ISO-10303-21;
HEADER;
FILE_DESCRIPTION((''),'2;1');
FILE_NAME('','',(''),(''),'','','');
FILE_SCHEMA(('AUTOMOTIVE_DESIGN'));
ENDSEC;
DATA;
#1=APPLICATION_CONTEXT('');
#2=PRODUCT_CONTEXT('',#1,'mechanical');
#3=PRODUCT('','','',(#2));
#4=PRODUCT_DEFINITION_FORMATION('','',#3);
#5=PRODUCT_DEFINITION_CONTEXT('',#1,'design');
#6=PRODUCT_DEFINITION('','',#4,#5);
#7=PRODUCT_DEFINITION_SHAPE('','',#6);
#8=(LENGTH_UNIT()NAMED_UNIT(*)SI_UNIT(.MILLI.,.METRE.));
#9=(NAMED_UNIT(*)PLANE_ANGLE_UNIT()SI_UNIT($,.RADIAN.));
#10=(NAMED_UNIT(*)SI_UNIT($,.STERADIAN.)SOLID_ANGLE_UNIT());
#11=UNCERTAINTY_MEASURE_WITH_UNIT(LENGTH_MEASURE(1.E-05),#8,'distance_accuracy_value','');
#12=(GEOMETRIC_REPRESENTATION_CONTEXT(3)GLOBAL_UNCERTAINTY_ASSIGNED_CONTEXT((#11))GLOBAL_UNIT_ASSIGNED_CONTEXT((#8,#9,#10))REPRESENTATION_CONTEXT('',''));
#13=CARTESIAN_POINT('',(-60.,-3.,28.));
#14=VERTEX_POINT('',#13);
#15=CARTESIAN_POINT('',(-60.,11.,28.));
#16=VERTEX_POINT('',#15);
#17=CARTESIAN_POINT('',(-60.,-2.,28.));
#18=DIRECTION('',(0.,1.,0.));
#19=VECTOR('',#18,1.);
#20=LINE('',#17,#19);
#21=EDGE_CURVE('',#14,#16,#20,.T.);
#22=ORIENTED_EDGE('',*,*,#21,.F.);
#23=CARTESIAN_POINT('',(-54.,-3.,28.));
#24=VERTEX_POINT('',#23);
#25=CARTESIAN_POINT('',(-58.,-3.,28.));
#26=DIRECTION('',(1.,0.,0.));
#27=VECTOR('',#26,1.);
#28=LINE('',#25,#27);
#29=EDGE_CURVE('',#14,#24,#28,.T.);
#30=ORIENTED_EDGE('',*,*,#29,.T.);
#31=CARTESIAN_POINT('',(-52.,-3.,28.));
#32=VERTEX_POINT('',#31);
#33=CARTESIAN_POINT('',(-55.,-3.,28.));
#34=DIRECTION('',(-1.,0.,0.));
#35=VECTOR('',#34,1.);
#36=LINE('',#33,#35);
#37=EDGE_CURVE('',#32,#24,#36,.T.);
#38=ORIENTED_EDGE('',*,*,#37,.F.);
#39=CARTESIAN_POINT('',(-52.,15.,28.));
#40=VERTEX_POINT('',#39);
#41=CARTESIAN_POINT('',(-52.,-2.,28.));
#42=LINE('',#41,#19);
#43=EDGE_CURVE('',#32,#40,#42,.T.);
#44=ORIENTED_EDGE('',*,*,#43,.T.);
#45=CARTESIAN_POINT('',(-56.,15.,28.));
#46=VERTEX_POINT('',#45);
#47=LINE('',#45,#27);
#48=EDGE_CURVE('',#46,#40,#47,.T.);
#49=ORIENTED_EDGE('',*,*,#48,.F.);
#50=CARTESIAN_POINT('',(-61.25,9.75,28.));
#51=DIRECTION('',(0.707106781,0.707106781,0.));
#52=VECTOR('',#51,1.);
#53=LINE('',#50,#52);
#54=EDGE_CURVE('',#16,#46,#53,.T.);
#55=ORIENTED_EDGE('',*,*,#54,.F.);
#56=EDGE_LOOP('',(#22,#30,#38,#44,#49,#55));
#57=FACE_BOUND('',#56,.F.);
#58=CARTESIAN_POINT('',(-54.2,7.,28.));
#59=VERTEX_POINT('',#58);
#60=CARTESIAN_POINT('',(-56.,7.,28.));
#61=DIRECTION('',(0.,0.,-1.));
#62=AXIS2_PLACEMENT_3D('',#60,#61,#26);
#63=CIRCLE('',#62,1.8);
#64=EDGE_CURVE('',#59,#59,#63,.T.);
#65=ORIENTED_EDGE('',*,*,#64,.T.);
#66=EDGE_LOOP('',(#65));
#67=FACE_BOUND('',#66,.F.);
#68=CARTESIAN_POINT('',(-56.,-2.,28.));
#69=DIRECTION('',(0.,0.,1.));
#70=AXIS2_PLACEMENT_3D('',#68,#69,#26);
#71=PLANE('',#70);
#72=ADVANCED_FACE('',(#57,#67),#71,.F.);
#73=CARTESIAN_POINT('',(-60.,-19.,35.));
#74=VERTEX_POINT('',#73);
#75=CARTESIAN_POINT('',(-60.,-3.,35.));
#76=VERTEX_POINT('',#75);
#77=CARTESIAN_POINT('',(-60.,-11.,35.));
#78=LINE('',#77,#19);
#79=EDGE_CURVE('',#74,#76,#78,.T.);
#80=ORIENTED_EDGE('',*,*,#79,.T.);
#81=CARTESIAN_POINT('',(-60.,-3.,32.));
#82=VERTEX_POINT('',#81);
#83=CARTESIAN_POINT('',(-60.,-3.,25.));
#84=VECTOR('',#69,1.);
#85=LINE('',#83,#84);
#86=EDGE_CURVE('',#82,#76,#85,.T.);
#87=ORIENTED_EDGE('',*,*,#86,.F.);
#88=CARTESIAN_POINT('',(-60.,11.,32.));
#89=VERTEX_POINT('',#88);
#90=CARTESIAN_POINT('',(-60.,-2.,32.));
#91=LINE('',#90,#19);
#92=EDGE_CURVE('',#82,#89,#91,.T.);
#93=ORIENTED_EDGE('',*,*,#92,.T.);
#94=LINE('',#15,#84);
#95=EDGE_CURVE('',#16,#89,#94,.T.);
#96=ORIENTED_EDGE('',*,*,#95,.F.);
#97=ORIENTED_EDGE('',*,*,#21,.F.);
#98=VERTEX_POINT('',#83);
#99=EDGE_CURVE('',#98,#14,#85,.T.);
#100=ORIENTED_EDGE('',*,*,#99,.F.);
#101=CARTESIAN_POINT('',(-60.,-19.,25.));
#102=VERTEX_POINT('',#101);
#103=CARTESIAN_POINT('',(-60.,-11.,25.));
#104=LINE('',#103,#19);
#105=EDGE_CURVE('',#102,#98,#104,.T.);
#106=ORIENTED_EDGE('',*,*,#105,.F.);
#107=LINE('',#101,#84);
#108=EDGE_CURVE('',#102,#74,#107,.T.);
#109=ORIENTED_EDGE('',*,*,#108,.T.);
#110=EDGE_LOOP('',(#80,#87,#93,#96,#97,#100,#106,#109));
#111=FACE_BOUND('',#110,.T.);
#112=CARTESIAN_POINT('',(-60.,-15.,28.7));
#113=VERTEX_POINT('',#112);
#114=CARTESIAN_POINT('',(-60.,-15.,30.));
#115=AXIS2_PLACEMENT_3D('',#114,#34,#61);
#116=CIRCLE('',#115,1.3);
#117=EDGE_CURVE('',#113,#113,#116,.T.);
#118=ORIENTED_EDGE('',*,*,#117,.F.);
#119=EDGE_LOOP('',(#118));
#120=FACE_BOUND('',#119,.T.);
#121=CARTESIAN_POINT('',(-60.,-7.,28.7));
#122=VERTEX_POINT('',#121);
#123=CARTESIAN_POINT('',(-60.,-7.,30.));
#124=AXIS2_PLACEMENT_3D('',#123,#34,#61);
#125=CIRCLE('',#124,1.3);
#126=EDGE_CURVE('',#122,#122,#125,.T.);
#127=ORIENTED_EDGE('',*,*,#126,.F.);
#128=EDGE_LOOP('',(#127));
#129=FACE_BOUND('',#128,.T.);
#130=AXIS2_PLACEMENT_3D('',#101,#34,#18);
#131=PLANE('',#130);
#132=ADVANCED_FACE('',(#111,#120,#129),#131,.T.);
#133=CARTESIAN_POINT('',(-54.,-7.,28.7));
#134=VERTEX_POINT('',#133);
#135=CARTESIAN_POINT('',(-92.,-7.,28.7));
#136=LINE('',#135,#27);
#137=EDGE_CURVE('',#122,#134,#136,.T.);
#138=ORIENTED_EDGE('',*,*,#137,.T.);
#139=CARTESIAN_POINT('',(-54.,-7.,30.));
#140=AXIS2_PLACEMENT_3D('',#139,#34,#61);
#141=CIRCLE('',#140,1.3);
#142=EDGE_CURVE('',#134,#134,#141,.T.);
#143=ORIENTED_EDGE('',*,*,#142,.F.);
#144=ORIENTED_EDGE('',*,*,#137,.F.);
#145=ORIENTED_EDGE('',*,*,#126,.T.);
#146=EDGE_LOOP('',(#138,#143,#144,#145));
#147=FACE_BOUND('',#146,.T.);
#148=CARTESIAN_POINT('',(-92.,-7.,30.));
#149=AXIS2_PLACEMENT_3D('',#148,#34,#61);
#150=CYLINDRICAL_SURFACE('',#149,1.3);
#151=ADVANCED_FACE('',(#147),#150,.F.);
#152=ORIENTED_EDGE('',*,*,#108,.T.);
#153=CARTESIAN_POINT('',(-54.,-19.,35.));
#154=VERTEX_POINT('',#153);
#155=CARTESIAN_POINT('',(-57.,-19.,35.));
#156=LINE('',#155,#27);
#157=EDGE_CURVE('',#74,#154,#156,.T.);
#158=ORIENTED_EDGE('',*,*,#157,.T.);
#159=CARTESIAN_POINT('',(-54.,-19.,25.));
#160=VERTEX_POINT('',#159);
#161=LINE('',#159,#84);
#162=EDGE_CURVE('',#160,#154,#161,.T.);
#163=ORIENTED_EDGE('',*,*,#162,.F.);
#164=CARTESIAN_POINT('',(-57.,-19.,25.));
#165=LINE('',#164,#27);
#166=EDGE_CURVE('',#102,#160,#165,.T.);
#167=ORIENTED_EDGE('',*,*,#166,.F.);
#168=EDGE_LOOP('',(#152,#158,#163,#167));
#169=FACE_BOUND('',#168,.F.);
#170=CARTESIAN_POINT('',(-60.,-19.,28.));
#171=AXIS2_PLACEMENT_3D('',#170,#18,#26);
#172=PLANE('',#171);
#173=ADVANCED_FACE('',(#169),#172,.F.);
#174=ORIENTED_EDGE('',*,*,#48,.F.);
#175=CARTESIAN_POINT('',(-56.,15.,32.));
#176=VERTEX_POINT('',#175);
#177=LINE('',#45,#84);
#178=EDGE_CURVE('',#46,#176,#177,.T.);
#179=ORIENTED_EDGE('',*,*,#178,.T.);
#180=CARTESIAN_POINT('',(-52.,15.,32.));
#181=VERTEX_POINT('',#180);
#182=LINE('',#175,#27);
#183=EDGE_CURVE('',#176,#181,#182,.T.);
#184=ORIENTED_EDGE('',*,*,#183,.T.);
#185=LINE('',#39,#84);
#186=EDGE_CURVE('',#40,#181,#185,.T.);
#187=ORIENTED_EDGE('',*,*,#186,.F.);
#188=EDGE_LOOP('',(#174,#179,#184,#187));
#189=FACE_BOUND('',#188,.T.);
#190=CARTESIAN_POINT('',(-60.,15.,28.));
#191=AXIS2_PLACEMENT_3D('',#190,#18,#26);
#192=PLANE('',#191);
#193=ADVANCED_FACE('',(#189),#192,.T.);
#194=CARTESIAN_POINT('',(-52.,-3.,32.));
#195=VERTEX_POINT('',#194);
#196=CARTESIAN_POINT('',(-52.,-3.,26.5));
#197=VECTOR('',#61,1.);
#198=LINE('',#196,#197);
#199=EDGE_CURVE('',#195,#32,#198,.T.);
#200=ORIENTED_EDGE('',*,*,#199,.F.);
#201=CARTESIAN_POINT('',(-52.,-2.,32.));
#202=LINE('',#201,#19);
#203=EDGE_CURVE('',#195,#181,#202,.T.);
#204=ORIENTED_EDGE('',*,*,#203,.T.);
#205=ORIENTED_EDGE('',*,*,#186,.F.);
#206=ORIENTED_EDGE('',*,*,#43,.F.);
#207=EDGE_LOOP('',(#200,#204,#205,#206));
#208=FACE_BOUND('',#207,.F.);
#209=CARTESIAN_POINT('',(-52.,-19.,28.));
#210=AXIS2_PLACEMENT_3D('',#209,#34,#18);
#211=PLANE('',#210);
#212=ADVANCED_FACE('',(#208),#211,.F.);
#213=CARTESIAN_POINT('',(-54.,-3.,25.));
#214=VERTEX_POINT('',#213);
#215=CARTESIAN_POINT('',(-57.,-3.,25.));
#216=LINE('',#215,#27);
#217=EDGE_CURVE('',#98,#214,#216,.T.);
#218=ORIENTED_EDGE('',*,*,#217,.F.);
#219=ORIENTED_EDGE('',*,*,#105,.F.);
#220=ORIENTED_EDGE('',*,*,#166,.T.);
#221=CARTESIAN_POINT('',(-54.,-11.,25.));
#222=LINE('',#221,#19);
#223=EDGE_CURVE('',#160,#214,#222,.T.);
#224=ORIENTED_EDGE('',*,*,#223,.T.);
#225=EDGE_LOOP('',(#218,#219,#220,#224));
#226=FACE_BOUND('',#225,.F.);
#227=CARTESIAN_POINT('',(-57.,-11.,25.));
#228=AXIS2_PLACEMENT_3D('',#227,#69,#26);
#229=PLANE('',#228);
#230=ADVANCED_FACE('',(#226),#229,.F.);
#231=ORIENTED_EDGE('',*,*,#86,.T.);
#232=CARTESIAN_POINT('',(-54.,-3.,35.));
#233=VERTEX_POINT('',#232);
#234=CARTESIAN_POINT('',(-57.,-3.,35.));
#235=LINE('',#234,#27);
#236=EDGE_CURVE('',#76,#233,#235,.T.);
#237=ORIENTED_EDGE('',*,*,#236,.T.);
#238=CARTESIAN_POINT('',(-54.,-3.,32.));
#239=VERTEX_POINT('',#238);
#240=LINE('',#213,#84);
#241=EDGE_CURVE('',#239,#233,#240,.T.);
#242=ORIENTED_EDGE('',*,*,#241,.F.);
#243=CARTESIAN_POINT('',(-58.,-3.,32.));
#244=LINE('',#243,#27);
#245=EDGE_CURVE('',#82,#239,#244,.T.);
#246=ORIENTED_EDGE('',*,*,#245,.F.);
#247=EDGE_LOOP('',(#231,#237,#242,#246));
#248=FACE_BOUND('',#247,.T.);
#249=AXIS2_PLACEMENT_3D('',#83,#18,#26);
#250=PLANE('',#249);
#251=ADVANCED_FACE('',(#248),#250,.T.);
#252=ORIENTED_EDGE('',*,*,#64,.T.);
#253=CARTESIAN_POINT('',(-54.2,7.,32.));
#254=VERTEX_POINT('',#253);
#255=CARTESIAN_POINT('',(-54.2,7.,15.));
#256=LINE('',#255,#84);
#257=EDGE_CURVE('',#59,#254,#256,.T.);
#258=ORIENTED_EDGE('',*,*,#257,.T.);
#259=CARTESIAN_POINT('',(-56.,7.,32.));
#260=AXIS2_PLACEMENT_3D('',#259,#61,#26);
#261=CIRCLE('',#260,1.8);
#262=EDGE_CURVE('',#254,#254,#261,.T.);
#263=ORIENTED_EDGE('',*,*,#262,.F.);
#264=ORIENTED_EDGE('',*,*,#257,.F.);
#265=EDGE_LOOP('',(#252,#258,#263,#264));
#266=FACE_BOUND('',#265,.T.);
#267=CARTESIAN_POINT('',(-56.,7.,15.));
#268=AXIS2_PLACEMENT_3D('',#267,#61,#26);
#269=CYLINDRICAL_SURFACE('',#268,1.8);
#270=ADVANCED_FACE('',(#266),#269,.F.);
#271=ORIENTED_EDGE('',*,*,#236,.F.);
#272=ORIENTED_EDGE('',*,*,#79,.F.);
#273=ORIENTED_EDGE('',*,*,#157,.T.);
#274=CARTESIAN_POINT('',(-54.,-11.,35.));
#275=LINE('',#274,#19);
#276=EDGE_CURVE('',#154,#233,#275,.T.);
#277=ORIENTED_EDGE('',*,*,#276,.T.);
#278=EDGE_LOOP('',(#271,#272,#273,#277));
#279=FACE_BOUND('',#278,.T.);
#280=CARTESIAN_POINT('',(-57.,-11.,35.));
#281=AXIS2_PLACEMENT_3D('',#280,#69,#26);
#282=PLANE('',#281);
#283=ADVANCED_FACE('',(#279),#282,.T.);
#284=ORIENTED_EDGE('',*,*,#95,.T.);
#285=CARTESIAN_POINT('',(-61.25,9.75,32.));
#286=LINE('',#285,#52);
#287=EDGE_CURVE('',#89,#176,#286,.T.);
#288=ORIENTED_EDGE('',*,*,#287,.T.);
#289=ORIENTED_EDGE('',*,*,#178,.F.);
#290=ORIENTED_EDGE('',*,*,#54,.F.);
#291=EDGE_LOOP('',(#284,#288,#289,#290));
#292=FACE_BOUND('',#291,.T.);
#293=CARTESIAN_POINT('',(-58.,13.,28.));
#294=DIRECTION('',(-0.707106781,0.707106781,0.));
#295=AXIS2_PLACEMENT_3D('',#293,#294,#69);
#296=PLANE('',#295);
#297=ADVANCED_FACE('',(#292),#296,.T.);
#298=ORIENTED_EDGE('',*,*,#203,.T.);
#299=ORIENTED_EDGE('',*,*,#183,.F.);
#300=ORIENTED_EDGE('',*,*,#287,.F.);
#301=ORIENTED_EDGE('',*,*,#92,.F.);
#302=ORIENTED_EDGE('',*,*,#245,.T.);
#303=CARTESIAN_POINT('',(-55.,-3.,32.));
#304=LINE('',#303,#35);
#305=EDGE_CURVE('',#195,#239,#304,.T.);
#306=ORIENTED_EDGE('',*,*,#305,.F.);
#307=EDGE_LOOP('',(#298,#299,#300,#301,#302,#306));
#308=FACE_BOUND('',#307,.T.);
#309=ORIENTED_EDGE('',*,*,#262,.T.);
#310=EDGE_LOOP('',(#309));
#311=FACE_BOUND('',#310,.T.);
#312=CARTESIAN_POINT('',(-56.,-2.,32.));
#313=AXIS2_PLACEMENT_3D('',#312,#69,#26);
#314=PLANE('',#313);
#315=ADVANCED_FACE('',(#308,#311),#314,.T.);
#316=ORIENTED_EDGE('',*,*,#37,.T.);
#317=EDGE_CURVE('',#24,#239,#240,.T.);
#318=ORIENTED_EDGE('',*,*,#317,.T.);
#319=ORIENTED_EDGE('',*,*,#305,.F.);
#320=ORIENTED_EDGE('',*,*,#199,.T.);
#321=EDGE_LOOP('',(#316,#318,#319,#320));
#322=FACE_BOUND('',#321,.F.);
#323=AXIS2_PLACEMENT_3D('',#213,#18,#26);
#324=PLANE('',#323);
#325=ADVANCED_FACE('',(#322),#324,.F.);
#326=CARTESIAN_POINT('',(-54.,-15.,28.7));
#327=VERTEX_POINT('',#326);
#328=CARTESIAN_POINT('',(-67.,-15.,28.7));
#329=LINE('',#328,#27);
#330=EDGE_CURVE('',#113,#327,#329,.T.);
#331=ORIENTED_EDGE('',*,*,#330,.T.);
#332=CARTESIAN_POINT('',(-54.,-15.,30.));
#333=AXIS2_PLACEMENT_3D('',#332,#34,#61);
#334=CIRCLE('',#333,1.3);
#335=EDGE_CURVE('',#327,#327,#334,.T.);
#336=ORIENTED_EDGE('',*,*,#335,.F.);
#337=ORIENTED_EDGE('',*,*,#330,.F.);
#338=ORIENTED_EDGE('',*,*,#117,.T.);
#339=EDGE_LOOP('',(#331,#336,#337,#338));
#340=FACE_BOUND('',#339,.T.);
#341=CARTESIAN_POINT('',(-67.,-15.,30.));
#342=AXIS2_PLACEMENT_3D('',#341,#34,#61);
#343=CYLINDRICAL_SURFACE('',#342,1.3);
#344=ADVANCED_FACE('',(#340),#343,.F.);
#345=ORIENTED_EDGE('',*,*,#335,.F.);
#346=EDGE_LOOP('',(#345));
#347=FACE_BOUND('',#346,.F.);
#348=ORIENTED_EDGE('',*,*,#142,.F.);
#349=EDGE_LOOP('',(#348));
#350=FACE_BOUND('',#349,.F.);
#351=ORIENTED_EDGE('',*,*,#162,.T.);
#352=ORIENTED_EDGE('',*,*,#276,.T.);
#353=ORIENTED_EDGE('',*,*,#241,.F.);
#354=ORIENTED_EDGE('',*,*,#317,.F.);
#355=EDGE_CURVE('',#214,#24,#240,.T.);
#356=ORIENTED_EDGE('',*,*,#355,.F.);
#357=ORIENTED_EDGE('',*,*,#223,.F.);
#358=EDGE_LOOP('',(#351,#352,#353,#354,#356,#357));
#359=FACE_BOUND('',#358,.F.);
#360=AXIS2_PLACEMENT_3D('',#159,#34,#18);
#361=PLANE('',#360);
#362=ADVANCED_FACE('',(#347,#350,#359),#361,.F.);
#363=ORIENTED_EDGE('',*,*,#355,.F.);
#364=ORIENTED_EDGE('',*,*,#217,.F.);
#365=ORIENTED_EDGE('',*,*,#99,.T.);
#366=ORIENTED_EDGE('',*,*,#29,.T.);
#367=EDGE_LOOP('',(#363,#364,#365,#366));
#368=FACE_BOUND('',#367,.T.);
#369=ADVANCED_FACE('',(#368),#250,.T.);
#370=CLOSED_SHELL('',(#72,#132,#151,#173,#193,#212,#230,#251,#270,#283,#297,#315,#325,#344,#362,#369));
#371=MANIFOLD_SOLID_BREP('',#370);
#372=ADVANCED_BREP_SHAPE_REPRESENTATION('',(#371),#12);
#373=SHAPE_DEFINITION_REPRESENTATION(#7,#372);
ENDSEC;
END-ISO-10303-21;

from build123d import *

# Parameters (mm, degrees)
CYLINDER087_R           = 1.3
CYLINDER087_DEPTH       = 40
CYLINDER087_PITCH_ANGLE = 90
CYLINDER086_R           = 1.3
CYLINDER086_DEPTH       = 40
CYLINDER086_PITCH_ANGLE = 90
CYLINDER085_R           = 1.3
CYLINDER085_DEPTH       = 40
CYLINDER085_PITCH_ANGLE = 90
CYLINDER067_R           = 1.8
CYLINDER067_DEPTH       = 40
BOX034_W                = 4
BOX034_H                = 16
BOX034_DEPTH            = 10
BOX031_W                = 8
BOX031_H                = 34
BOX031_DEPTH            = 4
BOX033_W                = 6
BOX033_H                = 16
BOX033_DEPTH            = 10
CHAMFER008_SIZE         = 4


with BuildPart() as cylinder365:
    # Cylinder087 → Cylinder087 (new body)
    with BuildSketch(Plane.XY):
        Circle(CYLINDER087_R)
    extrude(amount=CYLINDER087_DEPTH)


with BuildPart() as cylinder365_1:
    # Cylinder087 pitch: moved
    add(cylinder365.part.rotate(Axis((0, 0, 0), (0, 1, 0)), CYLINDER087_PITCH_ANGLE))


with BuildPart() as cylinder365_2:
    # Cylinder087 placement: moved
    add(cylinder365_1.part.moved(Location((-48, 7, 30))))


with BuildPart() as cylinder364:
    # Cylinder086 → Cylinder086 (new body)
    with BuildSketch(Plane.XY):
        Circle(CYLINDER086_R)
    extrude(amount=CYLINDER086_DEPTH)


with BuildPart() as cylinder364_1:
    # Cylinder086 pitch: moved
    add(cylinder364.part.rotate(Axis((0, 0, 0), (0, 1, 0)), CYLINDER086_PITCH_ANGLE))


with BuildPart() as cylinder364_2:
    # Cylinder086 placement: moved
    add(cylinder364_1.part.moved(Location((-67, -15, 30))))


with BuildPart() as hinge_screw_holes_b003:
    # Cylinder085 → Cylinder085 (new body)
    with BuildSketch(Plane.XY):
        Circle(CYLINDER085_R)
    extrude(amount=CYLINDER085_DEPTH)


with BuildPart() as hinge_screw_holes_b003_1:
    # Cylinder085 pitch: moved
    add(hinge_screw_holes_b003.part.rotate(Axis((0, 0, 0), (0, 1, 0)), CYLINDER085_PITCH_ANGLE))


with BuildPart() as hinge_screw_holes_b003_2:
    # Cylinder085 placement: moved
    add(hinge_screw_holes_b003_1.part.moved(Location((-92, -7, 30))))

    # Fusion057: union Cylinder364
    add(cylinder364_2.part)

    # Fusion058: union Cylinder365
    add(cylinder365_2.part)


with BuildPart() as cylinder345:
    # Cylinder067 → Cylinder067 (new body)
    with BuildSketch(Plane(origin=(-56, 7, 15), x_dir=(1, 0, 0), z_dir=(0, 0, 1))):
        Circle(CYLINDER067_R)
    extrude(amount=CYLINDER067_DEPTH)


with BuildPart() as cube022:
    # Box034 → Box034 (new body)
    with BuildSketch(Plane(origin=(-54, -19, 25), x_dir=(1, 0, 0), z_dir=(0, 0, 1))):
        with Locations((2, 8)):
            Rectangle(BOX034_W, BOX034_H)
    extrude(amount=BOX034_DEPTH)


with BuildPart() as cut038:
    # Box031 → Box031 (new body)
    with BuildSketch(Plane(origin=(-60, -19, 28), x_dir=(1, 0, 0), z_dir=(0, 0, 1))):
        with Locations((4, 17)):
            Rectangle(BOX031_W, BOX031_H)
    extrude(amount=BOX031_DEPTH)

    # Cut038: cut Cube022
    add(cube022.part, mode=Mode.SUBTRACT)


with BuildPart() as switch_rocker_f:
    # Box033 → Box033 (new body)
    with BuildSketch(Plane(origin=(-60, -19, 25), x_dir=(1, 0, 0), z_dir=(0, 0, 1))):
        with Locations((3, 8)):
            Rectangle(BOX033_W, BOX033_H)
    extrude(amount=BOX033_DEPTH)

    # Fusion044: union Cut038
    add(cut038.part)

    # Cut039: cut Cylinder345
    add(cylinder345.part, mode=Mode.SUBTRACT)

    # Cut047: cut hinge-screw-holes-b003
    add(hinge_screw_holes_b003_2.part, mode=Mode.SUBTRACT)

    # Chamfer008
    chamfer008_edges = [switch_rocker_f.edges().sort_by_distance(p)[0] for p in [
        (-60, 15, 30),
    ]]
    chamfer(chamfer008_edges, length=CHAMFER008_SIZE)


solid = switch_rocker_f.part
